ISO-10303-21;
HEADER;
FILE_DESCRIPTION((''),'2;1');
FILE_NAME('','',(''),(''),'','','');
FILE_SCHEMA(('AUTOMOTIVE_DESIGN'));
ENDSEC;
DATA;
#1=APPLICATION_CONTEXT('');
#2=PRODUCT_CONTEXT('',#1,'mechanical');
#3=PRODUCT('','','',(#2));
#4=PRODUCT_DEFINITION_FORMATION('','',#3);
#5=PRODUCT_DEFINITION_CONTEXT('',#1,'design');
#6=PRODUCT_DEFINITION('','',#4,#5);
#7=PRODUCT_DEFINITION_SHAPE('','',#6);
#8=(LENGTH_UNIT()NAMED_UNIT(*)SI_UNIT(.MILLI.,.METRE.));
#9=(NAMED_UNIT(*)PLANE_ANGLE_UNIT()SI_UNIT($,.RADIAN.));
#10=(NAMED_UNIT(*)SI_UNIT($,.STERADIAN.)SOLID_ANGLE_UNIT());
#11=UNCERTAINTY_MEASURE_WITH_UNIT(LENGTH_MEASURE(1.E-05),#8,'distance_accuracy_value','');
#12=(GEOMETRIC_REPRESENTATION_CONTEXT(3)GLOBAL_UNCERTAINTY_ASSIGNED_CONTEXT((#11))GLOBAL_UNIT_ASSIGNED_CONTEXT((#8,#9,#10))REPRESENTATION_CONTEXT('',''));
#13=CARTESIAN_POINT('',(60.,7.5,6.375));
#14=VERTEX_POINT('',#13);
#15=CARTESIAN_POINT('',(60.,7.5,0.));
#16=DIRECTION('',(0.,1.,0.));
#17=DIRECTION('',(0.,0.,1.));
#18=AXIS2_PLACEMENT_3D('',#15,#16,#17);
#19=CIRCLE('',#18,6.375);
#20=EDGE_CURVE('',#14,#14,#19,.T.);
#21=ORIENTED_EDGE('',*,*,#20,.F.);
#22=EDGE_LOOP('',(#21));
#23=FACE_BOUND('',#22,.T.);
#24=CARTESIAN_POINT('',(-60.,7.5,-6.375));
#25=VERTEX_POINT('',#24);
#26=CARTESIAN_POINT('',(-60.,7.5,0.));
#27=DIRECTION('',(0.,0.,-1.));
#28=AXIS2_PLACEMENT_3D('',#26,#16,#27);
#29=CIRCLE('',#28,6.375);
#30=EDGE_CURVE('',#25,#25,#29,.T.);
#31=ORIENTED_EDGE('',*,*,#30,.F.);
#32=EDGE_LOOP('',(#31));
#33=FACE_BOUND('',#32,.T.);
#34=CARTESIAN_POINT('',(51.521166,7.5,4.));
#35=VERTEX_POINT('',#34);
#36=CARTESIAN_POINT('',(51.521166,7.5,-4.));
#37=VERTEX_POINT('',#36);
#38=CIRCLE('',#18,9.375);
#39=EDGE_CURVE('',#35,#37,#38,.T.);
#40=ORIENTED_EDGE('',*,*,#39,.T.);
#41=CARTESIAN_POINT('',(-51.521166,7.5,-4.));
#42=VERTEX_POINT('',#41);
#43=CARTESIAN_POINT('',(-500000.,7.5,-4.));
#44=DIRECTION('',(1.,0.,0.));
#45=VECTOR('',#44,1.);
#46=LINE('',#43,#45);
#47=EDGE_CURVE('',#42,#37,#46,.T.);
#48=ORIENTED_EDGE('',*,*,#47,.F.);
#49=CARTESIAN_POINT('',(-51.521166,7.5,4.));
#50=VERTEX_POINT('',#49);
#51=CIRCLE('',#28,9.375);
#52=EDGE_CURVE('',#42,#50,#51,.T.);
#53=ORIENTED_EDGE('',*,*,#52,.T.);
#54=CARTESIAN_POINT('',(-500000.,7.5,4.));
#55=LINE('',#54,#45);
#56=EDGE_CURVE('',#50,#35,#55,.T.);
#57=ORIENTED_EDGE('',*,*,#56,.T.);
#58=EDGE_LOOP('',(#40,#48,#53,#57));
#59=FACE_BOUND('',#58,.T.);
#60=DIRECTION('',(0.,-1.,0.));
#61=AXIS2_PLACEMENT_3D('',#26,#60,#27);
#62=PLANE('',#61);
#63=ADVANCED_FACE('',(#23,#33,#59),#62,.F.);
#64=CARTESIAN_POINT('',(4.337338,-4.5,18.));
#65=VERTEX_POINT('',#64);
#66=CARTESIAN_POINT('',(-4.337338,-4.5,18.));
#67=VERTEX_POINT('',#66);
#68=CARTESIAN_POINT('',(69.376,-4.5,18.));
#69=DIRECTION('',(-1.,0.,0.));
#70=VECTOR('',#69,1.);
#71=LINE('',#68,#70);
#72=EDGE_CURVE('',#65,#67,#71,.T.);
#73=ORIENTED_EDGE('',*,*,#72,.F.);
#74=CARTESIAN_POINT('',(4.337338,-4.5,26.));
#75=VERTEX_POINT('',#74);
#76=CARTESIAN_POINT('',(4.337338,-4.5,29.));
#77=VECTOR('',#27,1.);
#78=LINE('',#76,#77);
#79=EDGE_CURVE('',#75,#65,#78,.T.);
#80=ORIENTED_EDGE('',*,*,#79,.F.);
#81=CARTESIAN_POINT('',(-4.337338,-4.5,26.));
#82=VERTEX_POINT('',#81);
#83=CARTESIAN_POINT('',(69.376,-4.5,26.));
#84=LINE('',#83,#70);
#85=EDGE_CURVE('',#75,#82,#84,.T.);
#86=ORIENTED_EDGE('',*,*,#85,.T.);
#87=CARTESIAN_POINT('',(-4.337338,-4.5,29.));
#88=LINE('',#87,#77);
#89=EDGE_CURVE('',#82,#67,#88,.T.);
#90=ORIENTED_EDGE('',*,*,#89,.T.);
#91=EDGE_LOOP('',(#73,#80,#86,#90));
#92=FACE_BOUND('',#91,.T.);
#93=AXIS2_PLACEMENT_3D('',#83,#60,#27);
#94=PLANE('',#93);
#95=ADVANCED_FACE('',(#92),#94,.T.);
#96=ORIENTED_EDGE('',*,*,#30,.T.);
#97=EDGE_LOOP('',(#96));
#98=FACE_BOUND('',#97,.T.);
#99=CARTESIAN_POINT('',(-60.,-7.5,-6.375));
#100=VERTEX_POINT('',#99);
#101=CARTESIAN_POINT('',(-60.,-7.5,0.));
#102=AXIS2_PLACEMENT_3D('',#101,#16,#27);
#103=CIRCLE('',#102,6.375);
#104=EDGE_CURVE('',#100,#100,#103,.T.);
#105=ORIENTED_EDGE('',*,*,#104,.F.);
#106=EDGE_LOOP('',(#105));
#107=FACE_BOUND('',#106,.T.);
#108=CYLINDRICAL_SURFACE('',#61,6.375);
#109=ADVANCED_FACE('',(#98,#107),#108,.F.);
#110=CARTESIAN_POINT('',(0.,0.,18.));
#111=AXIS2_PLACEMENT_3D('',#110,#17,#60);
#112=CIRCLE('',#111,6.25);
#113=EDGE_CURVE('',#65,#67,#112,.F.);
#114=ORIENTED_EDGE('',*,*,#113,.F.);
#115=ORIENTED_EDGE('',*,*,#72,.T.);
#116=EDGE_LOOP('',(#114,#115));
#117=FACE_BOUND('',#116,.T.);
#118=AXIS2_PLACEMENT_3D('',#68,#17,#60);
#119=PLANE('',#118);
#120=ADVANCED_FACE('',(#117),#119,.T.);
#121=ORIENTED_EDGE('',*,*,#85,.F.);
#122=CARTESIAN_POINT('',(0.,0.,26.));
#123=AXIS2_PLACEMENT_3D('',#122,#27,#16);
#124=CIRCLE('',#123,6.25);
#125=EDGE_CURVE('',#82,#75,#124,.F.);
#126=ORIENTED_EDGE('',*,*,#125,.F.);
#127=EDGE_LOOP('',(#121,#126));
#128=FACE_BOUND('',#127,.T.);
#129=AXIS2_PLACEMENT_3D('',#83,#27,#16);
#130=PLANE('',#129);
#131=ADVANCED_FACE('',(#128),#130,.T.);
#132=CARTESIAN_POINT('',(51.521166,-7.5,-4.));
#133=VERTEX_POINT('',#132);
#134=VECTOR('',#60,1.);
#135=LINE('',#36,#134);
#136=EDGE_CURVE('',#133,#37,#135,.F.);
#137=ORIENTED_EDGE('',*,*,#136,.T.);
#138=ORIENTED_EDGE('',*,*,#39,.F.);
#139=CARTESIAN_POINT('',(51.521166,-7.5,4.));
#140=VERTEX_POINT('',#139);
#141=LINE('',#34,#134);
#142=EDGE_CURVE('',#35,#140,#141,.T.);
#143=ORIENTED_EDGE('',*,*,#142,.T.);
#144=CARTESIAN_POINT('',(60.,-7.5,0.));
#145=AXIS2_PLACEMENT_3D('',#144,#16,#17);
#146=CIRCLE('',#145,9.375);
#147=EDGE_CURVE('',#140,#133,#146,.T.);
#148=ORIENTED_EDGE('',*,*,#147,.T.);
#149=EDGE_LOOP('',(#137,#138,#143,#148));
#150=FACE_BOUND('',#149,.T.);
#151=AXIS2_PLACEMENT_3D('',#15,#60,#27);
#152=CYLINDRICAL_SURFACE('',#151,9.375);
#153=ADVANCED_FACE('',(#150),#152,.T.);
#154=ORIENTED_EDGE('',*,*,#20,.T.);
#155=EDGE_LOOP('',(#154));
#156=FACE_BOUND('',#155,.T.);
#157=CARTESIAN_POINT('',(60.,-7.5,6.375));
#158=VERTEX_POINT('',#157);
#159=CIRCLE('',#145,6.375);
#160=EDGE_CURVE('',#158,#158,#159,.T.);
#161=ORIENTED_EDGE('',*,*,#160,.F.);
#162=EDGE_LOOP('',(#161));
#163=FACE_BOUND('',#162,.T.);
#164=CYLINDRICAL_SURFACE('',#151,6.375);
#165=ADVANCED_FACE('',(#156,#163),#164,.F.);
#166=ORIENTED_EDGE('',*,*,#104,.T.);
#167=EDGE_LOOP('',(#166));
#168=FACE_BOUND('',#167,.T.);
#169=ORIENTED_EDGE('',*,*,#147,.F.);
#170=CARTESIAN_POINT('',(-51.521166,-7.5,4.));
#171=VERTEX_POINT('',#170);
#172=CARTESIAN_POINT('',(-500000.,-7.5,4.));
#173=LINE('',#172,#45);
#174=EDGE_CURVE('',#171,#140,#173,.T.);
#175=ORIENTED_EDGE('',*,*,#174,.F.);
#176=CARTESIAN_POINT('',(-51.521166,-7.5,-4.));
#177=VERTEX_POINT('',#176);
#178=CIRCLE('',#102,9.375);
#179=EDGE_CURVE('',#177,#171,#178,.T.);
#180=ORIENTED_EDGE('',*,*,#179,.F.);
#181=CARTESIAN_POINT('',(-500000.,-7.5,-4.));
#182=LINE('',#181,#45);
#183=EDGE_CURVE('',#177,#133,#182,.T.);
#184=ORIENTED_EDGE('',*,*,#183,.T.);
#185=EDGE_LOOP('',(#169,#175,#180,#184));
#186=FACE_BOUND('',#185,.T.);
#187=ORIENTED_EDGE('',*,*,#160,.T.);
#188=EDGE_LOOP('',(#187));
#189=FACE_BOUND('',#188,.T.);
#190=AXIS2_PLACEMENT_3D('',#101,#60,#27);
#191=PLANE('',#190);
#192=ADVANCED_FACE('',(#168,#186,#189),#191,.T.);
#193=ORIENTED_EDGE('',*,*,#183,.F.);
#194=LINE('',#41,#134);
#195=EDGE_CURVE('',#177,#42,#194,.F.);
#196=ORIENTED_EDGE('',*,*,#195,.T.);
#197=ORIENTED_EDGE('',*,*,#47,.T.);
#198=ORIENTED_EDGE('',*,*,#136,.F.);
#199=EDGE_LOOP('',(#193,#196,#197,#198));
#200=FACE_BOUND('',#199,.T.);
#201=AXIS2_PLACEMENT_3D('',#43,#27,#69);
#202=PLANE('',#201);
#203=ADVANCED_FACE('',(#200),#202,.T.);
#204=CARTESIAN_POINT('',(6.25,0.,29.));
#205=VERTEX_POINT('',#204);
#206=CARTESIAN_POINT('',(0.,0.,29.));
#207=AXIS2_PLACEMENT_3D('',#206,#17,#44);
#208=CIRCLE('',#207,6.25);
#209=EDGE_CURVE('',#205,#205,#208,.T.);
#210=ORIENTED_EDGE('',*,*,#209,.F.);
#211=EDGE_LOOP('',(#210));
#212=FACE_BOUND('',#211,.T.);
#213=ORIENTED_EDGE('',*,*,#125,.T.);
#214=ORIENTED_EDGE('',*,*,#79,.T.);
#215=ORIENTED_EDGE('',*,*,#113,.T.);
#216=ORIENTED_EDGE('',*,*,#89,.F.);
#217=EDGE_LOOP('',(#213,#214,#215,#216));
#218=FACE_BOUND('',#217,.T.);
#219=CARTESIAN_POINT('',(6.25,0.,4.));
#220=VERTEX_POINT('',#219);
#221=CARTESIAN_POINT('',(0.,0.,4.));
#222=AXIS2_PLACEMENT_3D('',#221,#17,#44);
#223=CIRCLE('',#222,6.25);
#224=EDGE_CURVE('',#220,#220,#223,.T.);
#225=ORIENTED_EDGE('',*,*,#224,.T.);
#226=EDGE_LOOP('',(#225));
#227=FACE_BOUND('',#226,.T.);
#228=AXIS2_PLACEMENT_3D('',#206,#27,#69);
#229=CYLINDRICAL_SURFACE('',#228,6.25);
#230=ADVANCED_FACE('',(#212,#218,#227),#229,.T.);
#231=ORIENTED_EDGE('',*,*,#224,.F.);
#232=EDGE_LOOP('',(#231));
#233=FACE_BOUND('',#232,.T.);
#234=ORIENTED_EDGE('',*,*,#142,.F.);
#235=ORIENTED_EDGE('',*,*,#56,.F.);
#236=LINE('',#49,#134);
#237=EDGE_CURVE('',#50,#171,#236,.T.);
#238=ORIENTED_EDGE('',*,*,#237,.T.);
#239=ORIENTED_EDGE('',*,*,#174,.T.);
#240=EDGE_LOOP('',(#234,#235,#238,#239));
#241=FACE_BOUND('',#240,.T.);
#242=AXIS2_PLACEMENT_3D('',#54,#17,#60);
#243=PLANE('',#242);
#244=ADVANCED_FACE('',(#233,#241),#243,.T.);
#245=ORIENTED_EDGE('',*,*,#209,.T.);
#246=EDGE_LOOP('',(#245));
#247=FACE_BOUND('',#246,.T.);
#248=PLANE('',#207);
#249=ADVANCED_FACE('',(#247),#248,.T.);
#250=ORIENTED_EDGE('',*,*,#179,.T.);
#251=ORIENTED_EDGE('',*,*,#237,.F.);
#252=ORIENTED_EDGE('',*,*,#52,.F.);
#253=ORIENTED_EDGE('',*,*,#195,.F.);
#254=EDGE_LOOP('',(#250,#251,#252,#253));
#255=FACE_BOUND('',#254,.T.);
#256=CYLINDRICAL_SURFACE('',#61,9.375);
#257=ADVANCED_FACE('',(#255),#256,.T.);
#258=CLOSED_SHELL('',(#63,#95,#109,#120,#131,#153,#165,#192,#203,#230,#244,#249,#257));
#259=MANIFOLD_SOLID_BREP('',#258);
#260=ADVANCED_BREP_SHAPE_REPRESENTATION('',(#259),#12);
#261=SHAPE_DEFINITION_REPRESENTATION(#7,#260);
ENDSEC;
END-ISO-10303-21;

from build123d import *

# Parameters (mm, degrees)
SKETCH1_R                            = 9.375
SKETCH1_R_2                          = 6.375
BOSS_EXTRUDE1_DEPTH                  = 7.5
BOSS_EXTRUDE1_2_DEPTH                = 7.5
BOSS_EXTRUDE2_REACH                  = 72.406
BOSS_EXTRUDE2_END_RADIUS             = 9.375
SKETCH2_W                            = 8
SKETCH2_H                            = 15
BOSS_EXTRUDE2_DIRECTION_2_REACH      = 72.406
BOSS_EXTRUDE2_DIRECTION_2_END_RADIUS = 9.375
SKETCH4_R                            = 6.25
BOSS_EXTRUDE3_DEPTH                  = 25
CUT_EXTRUDE1_REACH                   = 77.565
CUT_EXTRUDE1_END_RADIUS              = 6.25
SKETCH5_W                            = 8
SKETCH5_H                            = 3
CUT_EXTRUDE1_DIRECTION_2_REACH       = 77.565
CUT_EXTRUDE1_DIRECTION_2_END_RADIUS  = 6.25


with BuildPart() as part:
    # Sketch1 → Boss-Extrude1 (new, symmetric)
    with BuildSketch(Plane(origin=(0, 0, 0), x_dir=(1, 0, 0), z_dir=(0, 1, 0))):
        with Locations(Location((-60, 0, 0), (0, 0, 90))):
            Circle(SKETCH1_R)
        with Locations(Location((-60, 0, 0), (0, 0, 90))):
            Circle(SKETCH1_R_2, mode=Mode.SUBTRACT)
    extrude(amount=BOSS_EXTRUDE1_DEPTH, both=True)



with BuildPart() as body_2:
    # Sketch1 → Boss-Extrude1 2 (new, symmetric)
    with BuildSketch(Plane(origin=(0, 0, 0), x_dir=(1, 0, 0), z_dir=(0, 1, 0))):
        with Locations(Location((60, 0, 0), (0, 0, 270))):
            Circle(SKETCH1_R)
        with Locations(Location((60, 0, 0), (0, 0, 270))):
            Circle(SKETCH1_R_2, mode=Mode.SUBTRACT)
    extrude(amount=BOSS_EXTRUDE1_2_DEPTH, both=True)


with BuildPart() as part_1:
    add(part.part)

    add(body_2.part)  # Boss-Extrude2 merges body 2
    # Boss-Extrude2: up to this cylinder (the profile starts outside it)
    boss_extrude2_end = Plane(origin=(60, 0, 0), z_dir=(0, -1, 0)) * Cylinder(BOSS_EXTRUDE2_END_RADIUS, 164.562, mode=Mode.PRIVATE)
    # Sketch2 → Boss-Extrude2 (add, up to the surface)
    with BuildSketch(Plane(origin=(0, 0, 0), x_dir=(0, 0, -1), z_dir=(1, 0, 0)), mode=Mode.PRIVATE) as boss_extrude2_sk1:
        Rectangle(SKETCH2_W, SKETCH2_H)
    boss_extrude2_tool1 = extrude(boss_extrude2_sk1.sketch, amount=BOSS_EXTRUDE2_REACH, mode=Mode.PRIVATE) - boss_extrude2_end
    add(boss_extrude2_tool1.solids().sort_by_distance((0, 0, 0))[0])

    # Boss-Extrude2 direction 2: up to this cylinder (the profile starts outside it)
    boss_extrude2_direction_2_end = Plane(origin=(-60, 0, 0), z_dir=(0, -1, 0)) * Cylinder(BOSS_EXTRUDE2_DIRECTION_2_END_RADIUS, 164.562, mode=Mode.PRIVATE)
    # Sketch2 → Boss-Extrude2 direction 2 (add, up to the surface)
    with BuildSketch(Plane(origin=(0, 0, 0), x_dir=(0, 0, -1), z_dir=(1, 0, 0)), mode=Mode.PRIVATE) as boss_extrude2_direction_2_sk1:
        Rectangle(SKETCH2_W, SKETCH2_H)
    boss_extrude2_direction_2_tool1 = extrude(boss_extrude2_direction_2_sk1.sketch, amount=-BOSS_EXTRUDE2_DIRECTION_2_REACH, mode=Mode.PRIVATE) - boss_extrude2_direction_2_end
    add(boss_extrude2_direction_2_tool1.solids().sort_by_distance((0, 0, 0))[0])

    # Sketch4 → Boss-Extrude3 (add)
    with BuildSketch(Plane.XY.offset(4)):
        Circle(SKETCH4_R)
    extrude(amount=BOSS_EXTRUDE3_DEPTH)

    # Cut-Extrude1: up to this cylinder (the profile starts inside it)
    cut_extrude1_end = Plane(origin=(0, 0, 22), z_dir=(0, 0, -1)) * Cylinder(CUT_EXTRUDE1_END_RADIUS, 168.63, mode=Mode.PRIVATE)
    # Sketch5 → Cut-Extrude1 (cut, up to the surface)
    with BuildSketch(Plane(origin=(0, 0, 0), x_dir=(0, 0, -1), z_dir=(1, 0, 0)), mode=Mode.PRIVATE) as cut_extrude1_sk1:
        with Locations((-22, -6)):
            Rectangle(SKETCH5_W, SKETCH5_H)
    cut_extrude1_tool1 = extrude(cut_extrude1_sk1.sketch, amount=-CUT_EXTRUDE1_REACH, mode=Mode.PRIVATE) & cut_extrude1_end
    add(cut_extrude1_tool1.solids().sort_by_distance((0, -6, 22))[0], mode=Mode.SUBTRACT)

    # Cut-Extrude1 direction 2: up to this cylinder (the profile starts inside it)
    cut_extrude1_direction_2_end = Plane(origin=(0, 0, 22), z_dir=(0, 0, -1)) * Cylinder(CUT_EXTRUDE1_DIRECTION_2_END_RADIUS, 168.63, mode=Mode.PRIVATE)
    # Sketch5 → Cut-Extrude1 direction 2 (cut, up to the surface)
    with BuildSketch(Plane(origin=(0, 0, 0), x_dir=(0, 0, -1), z_dir=(1, 0, 0)), mode=Mode.PRIVATE) as cut_extrude1_direction_2_sk1:
        with Locations((-22, -6)):
            Rectangle(SKETCH5_W, SKETCH5_H)
    cut_extrude1_direction_2_tool1 = extrude(cut_extrude1_direction_2_sk1.sketch, amount=CUT_EXTRUDE1_DIRECTION_2_REACH, mode=Mode.PRIVATE) & cut_extrude1_direction_2_end
    add(cut_extrude1_direction_2_tool1.solids().sort_by_distance((0, -6, 22))[0], mode=Mode.SUBTRACT)


solid = part_1.part
